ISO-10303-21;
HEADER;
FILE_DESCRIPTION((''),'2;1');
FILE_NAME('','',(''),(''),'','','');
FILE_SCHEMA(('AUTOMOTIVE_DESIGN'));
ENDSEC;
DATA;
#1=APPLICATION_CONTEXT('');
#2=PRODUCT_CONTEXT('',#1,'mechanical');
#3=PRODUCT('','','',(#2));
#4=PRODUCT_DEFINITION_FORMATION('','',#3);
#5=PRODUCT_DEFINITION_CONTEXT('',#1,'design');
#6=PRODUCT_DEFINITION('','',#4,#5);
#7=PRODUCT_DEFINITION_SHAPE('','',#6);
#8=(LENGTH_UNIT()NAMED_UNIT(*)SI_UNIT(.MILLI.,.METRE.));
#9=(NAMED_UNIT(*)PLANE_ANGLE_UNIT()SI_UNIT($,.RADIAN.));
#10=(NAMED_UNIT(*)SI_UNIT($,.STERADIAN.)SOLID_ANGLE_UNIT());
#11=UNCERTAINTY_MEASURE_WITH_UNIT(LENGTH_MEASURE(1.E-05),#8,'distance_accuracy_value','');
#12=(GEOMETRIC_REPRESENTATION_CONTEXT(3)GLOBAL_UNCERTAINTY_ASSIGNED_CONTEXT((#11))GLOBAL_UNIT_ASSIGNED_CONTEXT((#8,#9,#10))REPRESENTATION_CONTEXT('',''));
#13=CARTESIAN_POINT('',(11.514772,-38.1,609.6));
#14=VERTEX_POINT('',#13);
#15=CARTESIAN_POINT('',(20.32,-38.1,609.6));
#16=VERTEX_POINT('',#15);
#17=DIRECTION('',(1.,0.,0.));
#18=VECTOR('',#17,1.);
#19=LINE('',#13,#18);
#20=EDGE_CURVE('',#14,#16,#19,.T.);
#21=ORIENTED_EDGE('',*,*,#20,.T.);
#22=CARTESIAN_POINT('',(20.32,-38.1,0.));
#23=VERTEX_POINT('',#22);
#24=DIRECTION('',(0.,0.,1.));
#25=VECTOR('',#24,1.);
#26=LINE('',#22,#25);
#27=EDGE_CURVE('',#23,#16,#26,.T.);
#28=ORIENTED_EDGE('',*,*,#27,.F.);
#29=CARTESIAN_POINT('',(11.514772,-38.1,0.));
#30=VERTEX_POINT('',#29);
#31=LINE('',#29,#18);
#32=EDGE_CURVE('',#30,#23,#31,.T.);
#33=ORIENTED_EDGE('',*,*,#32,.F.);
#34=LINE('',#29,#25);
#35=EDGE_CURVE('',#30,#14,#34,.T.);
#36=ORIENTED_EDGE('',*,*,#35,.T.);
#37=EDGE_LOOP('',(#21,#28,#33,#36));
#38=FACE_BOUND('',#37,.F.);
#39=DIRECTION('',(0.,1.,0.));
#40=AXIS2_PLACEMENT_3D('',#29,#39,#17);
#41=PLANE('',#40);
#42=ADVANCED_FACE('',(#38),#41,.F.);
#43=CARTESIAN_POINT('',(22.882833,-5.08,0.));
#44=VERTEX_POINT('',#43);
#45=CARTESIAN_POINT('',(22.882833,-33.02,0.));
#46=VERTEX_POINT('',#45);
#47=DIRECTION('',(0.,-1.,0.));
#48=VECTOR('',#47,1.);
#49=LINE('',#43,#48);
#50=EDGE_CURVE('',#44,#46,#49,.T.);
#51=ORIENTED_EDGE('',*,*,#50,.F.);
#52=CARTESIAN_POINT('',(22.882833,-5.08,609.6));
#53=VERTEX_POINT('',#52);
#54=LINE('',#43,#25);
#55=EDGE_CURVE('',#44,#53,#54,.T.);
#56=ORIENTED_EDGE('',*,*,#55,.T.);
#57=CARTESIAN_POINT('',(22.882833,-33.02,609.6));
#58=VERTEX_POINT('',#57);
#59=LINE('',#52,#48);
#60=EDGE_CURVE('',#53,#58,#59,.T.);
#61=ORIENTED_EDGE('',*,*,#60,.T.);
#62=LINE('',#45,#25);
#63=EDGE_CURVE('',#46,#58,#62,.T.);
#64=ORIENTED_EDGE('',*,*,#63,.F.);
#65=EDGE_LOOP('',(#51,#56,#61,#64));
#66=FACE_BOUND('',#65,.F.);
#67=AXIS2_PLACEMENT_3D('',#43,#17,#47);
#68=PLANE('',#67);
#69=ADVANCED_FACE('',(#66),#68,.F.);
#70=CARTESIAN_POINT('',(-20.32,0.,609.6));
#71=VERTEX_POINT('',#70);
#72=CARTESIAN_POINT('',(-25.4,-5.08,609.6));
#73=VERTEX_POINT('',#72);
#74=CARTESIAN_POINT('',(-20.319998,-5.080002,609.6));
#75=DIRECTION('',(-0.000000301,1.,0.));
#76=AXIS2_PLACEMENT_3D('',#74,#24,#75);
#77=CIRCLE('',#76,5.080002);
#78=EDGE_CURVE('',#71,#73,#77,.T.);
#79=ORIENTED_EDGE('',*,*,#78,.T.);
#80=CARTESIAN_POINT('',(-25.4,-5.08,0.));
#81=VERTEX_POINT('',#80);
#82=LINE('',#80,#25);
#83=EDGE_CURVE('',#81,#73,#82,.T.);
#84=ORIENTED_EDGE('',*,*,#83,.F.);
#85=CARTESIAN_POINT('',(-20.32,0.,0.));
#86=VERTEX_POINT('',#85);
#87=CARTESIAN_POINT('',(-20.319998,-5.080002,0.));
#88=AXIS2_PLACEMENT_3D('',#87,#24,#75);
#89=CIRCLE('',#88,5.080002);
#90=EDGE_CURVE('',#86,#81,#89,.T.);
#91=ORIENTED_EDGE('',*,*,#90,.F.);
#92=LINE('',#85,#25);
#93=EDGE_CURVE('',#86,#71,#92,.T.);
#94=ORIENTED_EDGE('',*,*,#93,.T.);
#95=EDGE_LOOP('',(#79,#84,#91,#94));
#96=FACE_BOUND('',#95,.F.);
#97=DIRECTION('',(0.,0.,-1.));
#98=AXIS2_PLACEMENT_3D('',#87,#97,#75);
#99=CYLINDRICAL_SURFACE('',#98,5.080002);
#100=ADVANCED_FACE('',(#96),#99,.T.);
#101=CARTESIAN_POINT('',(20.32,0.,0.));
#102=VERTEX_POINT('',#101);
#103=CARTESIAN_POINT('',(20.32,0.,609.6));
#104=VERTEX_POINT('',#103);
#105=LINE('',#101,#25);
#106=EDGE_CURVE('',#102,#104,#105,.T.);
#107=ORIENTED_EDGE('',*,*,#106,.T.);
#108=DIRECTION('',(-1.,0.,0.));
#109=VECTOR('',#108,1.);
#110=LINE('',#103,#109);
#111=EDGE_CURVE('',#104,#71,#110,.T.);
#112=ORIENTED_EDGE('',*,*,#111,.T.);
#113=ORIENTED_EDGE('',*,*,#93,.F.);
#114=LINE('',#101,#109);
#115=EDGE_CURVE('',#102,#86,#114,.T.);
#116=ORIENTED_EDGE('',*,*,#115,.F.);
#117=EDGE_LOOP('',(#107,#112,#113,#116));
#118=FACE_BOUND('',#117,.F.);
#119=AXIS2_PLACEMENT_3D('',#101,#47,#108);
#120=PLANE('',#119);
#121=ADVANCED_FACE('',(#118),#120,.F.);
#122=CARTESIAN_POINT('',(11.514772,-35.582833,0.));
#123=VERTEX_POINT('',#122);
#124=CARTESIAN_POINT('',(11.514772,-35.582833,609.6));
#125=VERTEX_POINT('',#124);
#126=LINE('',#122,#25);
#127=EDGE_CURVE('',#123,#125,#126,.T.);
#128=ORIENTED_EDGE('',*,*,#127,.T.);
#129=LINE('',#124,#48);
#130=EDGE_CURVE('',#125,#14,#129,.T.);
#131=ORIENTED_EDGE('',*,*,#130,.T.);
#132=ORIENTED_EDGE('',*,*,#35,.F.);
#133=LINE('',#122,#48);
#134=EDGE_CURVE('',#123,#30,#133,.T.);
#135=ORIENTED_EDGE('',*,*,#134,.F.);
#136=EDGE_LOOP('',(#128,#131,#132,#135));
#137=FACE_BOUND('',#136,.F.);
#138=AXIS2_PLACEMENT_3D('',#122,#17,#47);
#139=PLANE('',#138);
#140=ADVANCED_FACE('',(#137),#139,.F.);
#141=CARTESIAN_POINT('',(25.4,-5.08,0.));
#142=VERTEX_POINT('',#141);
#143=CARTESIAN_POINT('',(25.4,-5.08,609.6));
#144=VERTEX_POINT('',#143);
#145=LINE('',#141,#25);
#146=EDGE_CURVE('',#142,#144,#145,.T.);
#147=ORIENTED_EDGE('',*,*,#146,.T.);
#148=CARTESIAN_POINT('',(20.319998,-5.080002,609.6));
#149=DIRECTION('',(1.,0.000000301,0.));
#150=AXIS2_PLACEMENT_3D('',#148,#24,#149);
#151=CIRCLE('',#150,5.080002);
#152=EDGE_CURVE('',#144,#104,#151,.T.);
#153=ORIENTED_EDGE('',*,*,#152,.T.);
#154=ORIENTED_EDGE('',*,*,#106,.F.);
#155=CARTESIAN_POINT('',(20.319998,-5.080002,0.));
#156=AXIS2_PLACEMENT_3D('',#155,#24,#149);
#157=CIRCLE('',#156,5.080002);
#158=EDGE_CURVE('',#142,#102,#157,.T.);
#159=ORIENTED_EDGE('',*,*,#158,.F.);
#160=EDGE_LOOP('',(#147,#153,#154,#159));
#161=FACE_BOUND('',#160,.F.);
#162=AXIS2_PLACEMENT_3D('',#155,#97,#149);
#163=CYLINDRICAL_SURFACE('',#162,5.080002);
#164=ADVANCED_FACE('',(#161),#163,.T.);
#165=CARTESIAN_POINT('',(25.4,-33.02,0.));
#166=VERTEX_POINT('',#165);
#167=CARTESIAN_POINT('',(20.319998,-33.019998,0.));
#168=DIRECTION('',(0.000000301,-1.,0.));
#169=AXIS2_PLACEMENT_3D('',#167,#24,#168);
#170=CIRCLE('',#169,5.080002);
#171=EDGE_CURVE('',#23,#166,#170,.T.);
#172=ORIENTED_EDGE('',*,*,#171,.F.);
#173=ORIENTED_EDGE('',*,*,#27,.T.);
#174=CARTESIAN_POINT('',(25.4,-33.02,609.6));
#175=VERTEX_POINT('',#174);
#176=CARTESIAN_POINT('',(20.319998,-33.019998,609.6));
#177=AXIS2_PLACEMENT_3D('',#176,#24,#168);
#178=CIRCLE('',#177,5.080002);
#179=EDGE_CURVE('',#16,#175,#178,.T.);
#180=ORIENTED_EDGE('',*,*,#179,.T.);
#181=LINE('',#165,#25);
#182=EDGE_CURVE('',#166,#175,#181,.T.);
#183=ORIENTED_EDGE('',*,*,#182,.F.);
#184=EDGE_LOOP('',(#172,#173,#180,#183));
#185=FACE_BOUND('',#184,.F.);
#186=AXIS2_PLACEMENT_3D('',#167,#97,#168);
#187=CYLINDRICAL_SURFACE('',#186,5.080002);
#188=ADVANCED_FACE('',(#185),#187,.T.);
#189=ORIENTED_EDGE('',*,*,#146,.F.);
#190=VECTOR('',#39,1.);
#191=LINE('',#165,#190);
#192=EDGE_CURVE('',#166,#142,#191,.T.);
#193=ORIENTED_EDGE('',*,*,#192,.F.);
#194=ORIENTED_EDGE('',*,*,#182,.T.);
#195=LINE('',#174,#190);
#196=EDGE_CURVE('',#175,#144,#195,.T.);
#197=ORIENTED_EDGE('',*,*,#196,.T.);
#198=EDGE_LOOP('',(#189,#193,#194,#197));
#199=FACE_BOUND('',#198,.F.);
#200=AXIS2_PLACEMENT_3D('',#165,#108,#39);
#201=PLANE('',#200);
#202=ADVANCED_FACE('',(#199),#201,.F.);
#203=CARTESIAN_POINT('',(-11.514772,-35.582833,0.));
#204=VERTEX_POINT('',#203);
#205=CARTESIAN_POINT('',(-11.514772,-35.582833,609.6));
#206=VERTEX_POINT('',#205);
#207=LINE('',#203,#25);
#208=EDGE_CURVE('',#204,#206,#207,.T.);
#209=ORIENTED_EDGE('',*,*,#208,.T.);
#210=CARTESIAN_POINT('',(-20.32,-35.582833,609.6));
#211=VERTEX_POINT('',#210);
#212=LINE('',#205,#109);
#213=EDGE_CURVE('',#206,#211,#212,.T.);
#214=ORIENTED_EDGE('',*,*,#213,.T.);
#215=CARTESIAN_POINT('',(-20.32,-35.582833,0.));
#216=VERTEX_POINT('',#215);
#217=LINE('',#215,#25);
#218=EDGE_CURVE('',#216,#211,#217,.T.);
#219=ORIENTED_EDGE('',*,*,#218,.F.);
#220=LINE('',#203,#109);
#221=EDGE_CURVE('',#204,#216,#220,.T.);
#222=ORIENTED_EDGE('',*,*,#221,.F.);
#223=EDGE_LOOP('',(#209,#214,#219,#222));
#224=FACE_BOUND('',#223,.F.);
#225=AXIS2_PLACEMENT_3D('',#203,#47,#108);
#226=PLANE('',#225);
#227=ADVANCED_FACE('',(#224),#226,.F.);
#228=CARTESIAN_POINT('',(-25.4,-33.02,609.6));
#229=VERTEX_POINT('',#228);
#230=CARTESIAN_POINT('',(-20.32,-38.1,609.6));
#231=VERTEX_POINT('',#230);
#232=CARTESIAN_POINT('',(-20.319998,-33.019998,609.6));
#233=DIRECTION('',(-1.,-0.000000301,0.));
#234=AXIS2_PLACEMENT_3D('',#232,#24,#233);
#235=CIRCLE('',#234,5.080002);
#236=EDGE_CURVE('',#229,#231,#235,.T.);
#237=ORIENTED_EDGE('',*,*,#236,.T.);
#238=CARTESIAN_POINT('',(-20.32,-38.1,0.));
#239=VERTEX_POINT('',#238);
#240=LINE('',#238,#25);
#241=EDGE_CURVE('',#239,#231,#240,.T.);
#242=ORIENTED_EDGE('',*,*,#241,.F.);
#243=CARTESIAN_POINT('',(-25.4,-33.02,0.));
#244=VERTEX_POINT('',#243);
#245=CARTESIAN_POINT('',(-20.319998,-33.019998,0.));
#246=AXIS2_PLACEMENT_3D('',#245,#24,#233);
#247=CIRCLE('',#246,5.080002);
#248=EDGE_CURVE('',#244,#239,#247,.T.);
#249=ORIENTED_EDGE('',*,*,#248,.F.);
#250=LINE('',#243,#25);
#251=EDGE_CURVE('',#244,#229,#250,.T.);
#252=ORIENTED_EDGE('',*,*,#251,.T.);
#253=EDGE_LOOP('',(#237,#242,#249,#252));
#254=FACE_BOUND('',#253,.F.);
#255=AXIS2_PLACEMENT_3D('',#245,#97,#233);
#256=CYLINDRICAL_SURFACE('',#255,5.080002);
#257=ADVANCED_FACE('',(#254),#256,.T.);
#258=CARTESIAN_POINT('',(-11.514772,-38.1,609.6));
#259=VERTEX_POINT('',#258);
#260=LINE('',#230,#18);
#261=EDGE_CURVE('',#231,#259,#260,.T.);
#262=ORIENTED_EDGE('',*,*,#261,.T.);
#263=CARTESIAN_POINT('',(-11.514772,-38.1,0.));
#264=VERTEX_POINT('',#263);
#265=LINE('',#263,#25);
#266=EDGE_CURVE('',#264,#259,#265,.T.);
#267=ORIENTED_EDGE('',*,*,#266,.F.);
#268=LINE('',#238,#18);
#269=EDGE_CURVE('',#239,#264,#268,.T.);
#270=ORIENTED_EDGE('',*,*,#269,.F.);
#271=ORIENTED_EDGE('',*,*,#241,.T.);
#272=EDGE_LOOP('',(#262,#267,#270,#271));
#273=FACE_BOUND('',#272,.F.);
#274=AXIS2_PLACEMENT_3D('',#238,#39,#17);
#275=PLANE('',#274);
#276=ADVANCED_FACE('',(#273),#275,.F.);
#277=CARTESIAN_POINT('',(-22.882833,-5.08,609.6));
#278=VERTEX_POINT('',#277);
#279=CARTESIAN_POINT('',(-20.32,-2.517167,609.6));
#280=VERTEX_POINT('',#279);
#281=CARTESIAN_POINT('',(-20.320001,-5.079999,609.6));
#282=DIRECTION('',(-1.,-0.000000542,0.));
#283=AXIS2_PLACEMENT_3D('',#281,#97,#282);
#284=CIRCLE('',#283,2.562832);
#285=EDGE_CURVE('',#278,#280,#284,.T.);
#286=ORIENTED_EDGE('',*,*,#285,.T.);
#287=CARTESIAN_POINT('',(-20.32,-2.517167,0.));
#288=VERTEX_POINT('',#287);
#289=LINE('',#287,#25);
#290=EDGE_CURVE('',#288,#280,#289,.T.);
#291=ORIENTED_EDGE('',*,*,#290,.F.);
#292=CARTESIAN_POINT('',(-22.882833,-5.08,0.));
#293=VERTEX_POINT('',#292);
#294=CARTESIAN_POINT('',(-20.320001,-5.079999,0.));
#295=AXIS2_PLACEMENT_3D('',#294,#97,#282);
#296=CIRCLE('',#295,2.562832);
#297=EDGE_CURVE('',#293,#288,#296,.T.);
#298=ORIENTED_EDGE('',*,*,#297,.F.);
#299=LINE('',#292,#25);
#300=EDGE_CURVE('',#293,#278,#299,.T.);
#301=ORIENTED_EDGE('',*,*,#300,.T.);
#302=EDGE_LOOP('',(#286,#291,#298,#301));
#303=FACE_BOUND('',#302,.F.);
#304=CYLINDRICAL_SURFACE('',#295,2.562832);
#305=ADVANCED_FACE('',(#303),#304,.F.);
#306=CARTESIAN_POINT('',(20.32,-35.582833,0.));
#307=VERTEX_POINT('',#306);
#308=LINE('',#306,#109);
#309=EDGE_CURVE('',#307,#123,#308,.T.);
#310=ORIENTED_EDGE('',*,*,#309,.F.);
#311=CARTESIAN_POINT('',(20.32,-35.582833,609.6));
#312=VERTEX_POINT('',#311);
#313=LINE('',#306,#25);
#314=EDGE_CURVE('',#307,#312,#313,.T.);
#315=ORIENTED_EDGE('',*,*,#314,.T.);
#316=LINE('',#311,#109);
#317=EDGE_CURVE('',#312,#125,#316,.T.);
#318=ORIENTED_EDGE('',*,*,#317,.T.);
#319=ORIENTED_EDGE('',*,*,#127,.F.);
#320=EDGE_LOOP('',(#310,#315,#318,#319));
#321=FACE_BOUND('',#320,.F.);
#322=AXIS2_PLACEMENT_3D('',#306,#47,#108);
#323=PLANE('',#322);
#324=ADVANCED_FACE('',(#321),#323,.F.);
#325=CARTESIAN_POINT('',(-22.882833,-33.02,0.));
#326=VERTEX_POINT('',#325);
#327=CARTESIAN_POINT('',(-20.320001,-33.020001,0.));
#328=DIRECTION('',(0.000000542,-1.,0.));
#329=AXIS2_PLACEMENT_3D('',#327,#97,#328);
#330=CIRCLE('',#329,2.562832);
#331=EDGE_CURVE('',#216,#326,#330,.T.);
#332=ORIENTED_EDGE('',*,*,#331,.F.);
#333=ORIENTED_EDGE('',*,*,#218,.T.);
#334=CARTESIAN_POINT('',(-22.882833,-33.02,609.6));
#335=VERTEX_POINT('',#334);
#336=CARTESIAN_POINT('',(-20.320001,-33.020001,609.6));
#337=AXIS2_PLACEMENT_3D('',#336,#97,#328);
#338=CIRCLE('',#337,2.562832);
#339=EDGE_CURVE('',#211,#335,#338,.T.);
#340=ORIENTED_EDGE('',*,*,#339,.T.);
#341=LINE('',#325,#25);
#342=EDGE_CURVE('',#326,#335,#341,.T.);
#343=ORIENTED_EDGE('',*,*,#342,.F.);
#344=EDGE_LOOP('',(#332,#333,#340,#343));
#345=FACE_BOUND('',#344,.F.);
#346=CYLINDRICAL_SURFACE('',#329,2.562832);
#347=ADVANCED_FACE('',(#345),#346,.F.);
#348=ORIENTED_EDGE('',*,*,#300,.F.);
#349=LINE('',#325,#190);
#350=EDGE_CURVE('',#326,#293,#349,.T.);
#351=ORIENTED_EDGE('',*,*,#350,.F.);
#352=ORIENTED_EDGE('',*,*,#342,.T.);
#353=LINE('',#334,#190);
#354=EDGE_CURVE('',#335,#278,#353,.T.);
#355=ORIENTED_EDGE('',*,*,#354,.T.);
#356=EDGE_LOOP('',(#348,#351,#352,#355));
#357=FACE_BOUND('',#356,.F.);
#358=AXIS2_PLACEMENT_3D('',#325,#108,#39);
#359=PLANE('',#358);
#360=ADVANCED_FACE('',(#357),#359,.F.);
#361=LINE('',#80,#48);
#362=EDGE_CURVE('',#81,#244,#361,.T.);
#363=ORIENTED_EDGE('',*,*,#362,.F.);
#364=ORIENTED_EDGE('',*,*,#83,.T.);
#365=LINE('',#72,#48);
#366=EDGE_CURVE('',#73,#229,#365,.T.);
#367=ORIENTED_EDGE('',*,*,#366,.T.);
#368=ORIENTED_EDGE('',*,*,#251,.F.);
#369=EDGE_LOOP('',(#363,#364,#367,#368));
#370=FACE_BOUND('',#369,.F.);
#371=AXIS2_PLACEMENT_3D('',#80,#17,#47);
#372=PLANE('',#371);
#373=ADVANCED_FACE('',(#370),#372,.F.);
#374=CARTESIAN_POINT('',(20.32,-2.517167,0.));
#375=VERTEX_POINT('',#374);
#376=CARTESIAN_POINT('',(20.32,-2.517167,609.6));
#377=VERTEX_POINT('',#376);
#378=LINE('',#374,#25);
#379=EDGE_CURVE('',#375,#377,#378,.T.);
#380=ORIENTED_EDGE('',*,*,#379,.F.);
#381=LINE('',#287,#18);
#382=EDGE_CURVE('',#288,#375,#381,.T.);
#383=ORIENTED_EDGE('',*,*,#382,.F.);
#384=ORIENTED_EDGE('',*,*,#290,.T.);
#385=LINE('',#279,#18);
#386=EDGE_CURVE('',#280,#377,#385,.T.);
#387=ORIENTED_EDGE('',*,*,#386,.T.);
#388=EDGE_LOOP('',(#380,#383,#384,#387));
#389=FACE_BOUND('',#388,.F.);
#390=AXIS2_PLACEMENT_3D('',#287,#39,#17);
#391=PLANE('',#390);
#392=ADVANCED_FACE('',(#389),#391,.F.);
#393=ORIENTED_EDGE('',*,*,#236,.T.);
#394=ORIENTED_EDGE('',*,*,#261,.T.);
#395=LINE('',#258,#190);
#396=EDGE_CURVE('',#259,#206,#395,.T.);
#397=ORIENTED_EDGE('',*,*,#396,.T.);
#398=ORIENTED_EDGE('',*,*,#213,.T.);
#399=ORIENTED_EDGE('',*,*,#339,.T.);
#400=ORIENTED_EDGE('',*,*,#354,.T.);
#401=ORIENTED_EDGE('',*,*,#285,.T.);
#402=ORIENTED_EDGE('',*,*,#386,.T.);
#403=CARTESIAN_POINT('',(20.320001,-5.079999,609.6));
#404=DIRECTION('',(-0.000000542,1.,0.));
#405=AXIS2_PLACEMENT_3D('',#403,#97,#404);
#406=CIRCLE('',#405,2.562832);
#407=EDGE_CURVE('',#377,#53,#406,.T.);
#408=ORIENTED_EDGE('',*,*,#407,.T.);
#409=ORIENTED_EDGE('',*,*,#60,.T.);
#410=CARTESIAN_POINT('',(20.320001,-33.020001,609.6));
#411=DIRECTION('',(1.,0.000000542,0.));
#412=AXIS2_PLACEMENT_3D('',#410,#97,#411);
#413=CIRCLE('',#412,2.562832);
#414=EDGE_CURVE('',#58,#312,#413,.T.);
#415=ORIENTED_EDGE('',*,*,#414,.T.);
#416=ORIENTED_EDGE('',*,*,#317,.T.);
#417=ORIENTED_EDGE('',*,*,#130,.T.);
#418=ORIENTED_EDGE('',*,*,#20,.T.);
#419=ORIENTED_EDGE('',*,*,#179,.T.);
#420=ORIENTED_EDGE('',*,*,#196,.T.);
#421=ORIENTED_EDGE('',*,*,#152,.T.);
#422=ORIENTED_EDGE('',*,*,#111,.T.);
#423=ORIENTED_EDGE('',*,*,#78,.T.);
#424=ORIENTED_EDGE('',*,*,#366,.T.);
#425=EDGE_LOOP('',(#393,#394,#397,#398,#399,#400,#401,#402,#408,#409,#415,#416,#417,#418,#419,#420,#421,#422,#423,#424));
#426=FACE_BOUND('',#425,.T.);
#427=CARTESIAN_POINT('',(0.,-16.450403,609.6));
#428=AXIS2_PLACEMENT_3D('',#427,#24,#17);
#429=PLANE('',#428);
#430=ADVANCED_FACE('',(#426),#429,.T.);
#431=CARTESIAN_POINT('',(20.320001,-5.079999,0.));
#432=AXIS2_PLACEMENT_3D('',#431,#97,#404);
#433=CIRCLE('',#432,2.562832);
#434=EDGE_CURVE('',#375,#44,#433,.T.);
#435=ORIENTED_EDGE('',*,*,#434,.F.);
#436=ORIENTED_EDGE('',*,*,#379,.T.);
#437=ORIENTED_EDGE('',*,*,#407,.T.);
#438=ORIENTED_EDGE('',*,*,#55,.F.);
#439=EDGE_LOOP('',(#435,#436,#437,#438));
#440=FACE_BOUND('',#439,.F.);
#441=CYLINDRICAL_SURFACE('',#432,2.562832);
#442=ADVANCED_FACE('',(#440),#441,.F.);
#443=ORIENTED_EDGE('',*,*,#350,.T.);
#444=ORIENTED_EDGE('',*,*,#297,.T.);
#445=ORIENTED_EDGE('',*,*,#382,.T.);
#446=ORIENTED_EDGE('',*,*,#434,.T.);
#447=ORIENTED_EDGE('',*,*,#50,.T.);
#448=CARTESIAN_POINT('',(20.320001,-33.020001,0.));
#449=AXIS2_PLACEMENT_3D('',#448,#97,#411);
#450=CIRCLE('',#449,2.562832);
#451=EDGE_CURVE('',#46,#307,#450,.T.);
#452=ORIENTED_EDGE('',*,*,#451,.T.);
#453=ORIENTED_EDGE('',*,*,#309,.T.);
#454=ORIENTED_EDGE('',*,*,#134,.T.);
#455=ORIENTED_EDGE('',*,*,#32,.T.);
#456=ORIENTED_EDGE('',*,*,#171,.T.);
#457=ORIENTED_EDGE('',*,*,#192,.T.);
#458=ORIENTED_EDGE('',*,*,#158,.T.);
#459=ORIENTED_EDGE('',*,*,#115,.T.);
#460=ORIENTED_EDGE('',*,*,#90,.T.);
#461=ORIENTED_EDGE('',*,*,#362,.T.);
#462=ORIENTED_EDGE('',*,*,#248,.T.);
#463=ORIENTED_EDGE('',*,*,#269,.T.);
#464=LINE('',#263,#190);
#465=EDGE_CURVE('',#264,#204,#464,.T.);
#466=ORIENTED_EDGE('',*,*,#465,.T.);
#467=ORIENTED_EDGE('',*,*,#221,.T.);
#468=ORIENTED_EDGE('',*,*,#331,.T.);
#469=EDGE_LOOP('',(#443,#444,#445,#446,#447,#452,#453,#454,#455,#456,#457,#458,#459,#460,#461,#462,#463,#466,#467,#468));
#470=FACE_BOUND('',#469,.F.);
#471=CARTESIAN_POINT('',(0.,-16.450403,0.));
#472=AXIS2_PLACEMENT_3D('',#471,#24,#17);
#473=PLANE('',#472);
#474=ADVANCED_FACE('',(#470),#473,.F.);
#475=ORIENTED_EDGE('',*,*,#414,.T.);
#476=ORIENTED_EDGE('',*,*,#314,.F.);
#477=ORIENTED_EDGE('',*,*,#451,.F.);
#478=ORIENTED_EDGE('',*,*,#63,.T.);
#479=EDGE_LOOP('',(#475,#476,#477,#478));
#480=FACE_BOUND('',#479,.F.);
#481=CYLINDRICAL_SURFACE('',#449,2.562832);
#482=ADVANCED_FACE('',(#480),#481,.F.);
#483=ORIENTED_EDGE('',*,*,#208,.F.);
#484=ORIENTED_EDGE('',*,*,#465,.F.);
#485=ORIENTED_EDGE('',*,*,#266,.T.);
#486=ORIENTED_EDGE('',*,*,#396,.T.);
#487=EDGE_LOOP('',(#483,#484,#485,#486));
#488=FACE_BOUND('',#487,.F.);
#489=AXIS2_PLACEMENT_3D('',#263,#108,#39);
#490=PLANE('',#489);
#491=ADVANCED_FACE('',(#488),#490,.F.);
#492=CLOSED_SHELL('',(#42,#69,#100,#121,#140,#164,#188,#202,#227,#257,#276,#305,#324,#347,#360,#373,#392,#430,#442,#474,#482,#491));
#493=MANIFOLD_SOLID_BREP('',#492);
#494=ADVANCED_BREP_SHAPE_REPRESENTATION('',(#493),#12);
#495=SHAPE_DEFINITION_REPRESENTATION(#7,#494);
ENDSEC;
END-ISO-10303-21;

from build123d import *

# Parameters (mm, degrees)
F1_DEPTH = 609.6


with BuildPart() as f1:
    # F0 (on Top) → F1 (new body)
    with BuildSketch(Plane.XY):
        with BuildLine():
            Line((-20.32, -38.1), (-11.514772, -38.1))
            Line((-11.514772, -38.1), (-11.514772, -35.582833))
            Line((-11.514772, -35.582833), (-20.32, -35.582833))
            ThreePointArc((-20.32, -35.582833), (-22.132197, -34.832197), (-22.882833, -33.02))
            Line((-22.882833, -33.02), (-22.882833, -5.08))
            ThreePointArc((-22.882833, -5.08), (-22.132197, -3.267803), (-20.32, -2.517167))
            Line((-20.32, -2.517167), (20.32, -2.517167))
            ThreePointArc((20.32, -2.517167), (22.132197, -3.267803), (22.882833, -5.08))
            Line((22.882833, -5.08), (22.882833, -33.02))
            ThreePointArc((22.882833, -33.02), (22.132197, -34.832197), (20.32, -35.582833))
            Line((20.32, -35.582833), (11.514772, -35.582833))
            Line((11.514772, -35.582833), (11.514772, -38.1))
            Line((11.514772, -38.1), (20.32, -38.1))
            ThreePointArc((20.32, -38.1), (23.912102, -36.612102), (25.4, -33.02))
            Line((25.4, -33.02), (25.4, -5.08))
            ThreePointArc((25.4, -5.08), (23.912102, -1.487898), (20.32, 0))
            Line((20.32, 0), (-20.32, 0))
            ThreePointArc((-20.32, 0), (-23.912102, -1.487898), (-25.4, -5.08))
            Line((-25.4, -5.08), (-25.4, -33.02))
            ThreePointArc((-25.4, -33.02), (-23.912102, -36.612102), (-20.32, -38.1))
        make_face()
    extrude(amount=F1_DEPTH)


solid = f1.part
